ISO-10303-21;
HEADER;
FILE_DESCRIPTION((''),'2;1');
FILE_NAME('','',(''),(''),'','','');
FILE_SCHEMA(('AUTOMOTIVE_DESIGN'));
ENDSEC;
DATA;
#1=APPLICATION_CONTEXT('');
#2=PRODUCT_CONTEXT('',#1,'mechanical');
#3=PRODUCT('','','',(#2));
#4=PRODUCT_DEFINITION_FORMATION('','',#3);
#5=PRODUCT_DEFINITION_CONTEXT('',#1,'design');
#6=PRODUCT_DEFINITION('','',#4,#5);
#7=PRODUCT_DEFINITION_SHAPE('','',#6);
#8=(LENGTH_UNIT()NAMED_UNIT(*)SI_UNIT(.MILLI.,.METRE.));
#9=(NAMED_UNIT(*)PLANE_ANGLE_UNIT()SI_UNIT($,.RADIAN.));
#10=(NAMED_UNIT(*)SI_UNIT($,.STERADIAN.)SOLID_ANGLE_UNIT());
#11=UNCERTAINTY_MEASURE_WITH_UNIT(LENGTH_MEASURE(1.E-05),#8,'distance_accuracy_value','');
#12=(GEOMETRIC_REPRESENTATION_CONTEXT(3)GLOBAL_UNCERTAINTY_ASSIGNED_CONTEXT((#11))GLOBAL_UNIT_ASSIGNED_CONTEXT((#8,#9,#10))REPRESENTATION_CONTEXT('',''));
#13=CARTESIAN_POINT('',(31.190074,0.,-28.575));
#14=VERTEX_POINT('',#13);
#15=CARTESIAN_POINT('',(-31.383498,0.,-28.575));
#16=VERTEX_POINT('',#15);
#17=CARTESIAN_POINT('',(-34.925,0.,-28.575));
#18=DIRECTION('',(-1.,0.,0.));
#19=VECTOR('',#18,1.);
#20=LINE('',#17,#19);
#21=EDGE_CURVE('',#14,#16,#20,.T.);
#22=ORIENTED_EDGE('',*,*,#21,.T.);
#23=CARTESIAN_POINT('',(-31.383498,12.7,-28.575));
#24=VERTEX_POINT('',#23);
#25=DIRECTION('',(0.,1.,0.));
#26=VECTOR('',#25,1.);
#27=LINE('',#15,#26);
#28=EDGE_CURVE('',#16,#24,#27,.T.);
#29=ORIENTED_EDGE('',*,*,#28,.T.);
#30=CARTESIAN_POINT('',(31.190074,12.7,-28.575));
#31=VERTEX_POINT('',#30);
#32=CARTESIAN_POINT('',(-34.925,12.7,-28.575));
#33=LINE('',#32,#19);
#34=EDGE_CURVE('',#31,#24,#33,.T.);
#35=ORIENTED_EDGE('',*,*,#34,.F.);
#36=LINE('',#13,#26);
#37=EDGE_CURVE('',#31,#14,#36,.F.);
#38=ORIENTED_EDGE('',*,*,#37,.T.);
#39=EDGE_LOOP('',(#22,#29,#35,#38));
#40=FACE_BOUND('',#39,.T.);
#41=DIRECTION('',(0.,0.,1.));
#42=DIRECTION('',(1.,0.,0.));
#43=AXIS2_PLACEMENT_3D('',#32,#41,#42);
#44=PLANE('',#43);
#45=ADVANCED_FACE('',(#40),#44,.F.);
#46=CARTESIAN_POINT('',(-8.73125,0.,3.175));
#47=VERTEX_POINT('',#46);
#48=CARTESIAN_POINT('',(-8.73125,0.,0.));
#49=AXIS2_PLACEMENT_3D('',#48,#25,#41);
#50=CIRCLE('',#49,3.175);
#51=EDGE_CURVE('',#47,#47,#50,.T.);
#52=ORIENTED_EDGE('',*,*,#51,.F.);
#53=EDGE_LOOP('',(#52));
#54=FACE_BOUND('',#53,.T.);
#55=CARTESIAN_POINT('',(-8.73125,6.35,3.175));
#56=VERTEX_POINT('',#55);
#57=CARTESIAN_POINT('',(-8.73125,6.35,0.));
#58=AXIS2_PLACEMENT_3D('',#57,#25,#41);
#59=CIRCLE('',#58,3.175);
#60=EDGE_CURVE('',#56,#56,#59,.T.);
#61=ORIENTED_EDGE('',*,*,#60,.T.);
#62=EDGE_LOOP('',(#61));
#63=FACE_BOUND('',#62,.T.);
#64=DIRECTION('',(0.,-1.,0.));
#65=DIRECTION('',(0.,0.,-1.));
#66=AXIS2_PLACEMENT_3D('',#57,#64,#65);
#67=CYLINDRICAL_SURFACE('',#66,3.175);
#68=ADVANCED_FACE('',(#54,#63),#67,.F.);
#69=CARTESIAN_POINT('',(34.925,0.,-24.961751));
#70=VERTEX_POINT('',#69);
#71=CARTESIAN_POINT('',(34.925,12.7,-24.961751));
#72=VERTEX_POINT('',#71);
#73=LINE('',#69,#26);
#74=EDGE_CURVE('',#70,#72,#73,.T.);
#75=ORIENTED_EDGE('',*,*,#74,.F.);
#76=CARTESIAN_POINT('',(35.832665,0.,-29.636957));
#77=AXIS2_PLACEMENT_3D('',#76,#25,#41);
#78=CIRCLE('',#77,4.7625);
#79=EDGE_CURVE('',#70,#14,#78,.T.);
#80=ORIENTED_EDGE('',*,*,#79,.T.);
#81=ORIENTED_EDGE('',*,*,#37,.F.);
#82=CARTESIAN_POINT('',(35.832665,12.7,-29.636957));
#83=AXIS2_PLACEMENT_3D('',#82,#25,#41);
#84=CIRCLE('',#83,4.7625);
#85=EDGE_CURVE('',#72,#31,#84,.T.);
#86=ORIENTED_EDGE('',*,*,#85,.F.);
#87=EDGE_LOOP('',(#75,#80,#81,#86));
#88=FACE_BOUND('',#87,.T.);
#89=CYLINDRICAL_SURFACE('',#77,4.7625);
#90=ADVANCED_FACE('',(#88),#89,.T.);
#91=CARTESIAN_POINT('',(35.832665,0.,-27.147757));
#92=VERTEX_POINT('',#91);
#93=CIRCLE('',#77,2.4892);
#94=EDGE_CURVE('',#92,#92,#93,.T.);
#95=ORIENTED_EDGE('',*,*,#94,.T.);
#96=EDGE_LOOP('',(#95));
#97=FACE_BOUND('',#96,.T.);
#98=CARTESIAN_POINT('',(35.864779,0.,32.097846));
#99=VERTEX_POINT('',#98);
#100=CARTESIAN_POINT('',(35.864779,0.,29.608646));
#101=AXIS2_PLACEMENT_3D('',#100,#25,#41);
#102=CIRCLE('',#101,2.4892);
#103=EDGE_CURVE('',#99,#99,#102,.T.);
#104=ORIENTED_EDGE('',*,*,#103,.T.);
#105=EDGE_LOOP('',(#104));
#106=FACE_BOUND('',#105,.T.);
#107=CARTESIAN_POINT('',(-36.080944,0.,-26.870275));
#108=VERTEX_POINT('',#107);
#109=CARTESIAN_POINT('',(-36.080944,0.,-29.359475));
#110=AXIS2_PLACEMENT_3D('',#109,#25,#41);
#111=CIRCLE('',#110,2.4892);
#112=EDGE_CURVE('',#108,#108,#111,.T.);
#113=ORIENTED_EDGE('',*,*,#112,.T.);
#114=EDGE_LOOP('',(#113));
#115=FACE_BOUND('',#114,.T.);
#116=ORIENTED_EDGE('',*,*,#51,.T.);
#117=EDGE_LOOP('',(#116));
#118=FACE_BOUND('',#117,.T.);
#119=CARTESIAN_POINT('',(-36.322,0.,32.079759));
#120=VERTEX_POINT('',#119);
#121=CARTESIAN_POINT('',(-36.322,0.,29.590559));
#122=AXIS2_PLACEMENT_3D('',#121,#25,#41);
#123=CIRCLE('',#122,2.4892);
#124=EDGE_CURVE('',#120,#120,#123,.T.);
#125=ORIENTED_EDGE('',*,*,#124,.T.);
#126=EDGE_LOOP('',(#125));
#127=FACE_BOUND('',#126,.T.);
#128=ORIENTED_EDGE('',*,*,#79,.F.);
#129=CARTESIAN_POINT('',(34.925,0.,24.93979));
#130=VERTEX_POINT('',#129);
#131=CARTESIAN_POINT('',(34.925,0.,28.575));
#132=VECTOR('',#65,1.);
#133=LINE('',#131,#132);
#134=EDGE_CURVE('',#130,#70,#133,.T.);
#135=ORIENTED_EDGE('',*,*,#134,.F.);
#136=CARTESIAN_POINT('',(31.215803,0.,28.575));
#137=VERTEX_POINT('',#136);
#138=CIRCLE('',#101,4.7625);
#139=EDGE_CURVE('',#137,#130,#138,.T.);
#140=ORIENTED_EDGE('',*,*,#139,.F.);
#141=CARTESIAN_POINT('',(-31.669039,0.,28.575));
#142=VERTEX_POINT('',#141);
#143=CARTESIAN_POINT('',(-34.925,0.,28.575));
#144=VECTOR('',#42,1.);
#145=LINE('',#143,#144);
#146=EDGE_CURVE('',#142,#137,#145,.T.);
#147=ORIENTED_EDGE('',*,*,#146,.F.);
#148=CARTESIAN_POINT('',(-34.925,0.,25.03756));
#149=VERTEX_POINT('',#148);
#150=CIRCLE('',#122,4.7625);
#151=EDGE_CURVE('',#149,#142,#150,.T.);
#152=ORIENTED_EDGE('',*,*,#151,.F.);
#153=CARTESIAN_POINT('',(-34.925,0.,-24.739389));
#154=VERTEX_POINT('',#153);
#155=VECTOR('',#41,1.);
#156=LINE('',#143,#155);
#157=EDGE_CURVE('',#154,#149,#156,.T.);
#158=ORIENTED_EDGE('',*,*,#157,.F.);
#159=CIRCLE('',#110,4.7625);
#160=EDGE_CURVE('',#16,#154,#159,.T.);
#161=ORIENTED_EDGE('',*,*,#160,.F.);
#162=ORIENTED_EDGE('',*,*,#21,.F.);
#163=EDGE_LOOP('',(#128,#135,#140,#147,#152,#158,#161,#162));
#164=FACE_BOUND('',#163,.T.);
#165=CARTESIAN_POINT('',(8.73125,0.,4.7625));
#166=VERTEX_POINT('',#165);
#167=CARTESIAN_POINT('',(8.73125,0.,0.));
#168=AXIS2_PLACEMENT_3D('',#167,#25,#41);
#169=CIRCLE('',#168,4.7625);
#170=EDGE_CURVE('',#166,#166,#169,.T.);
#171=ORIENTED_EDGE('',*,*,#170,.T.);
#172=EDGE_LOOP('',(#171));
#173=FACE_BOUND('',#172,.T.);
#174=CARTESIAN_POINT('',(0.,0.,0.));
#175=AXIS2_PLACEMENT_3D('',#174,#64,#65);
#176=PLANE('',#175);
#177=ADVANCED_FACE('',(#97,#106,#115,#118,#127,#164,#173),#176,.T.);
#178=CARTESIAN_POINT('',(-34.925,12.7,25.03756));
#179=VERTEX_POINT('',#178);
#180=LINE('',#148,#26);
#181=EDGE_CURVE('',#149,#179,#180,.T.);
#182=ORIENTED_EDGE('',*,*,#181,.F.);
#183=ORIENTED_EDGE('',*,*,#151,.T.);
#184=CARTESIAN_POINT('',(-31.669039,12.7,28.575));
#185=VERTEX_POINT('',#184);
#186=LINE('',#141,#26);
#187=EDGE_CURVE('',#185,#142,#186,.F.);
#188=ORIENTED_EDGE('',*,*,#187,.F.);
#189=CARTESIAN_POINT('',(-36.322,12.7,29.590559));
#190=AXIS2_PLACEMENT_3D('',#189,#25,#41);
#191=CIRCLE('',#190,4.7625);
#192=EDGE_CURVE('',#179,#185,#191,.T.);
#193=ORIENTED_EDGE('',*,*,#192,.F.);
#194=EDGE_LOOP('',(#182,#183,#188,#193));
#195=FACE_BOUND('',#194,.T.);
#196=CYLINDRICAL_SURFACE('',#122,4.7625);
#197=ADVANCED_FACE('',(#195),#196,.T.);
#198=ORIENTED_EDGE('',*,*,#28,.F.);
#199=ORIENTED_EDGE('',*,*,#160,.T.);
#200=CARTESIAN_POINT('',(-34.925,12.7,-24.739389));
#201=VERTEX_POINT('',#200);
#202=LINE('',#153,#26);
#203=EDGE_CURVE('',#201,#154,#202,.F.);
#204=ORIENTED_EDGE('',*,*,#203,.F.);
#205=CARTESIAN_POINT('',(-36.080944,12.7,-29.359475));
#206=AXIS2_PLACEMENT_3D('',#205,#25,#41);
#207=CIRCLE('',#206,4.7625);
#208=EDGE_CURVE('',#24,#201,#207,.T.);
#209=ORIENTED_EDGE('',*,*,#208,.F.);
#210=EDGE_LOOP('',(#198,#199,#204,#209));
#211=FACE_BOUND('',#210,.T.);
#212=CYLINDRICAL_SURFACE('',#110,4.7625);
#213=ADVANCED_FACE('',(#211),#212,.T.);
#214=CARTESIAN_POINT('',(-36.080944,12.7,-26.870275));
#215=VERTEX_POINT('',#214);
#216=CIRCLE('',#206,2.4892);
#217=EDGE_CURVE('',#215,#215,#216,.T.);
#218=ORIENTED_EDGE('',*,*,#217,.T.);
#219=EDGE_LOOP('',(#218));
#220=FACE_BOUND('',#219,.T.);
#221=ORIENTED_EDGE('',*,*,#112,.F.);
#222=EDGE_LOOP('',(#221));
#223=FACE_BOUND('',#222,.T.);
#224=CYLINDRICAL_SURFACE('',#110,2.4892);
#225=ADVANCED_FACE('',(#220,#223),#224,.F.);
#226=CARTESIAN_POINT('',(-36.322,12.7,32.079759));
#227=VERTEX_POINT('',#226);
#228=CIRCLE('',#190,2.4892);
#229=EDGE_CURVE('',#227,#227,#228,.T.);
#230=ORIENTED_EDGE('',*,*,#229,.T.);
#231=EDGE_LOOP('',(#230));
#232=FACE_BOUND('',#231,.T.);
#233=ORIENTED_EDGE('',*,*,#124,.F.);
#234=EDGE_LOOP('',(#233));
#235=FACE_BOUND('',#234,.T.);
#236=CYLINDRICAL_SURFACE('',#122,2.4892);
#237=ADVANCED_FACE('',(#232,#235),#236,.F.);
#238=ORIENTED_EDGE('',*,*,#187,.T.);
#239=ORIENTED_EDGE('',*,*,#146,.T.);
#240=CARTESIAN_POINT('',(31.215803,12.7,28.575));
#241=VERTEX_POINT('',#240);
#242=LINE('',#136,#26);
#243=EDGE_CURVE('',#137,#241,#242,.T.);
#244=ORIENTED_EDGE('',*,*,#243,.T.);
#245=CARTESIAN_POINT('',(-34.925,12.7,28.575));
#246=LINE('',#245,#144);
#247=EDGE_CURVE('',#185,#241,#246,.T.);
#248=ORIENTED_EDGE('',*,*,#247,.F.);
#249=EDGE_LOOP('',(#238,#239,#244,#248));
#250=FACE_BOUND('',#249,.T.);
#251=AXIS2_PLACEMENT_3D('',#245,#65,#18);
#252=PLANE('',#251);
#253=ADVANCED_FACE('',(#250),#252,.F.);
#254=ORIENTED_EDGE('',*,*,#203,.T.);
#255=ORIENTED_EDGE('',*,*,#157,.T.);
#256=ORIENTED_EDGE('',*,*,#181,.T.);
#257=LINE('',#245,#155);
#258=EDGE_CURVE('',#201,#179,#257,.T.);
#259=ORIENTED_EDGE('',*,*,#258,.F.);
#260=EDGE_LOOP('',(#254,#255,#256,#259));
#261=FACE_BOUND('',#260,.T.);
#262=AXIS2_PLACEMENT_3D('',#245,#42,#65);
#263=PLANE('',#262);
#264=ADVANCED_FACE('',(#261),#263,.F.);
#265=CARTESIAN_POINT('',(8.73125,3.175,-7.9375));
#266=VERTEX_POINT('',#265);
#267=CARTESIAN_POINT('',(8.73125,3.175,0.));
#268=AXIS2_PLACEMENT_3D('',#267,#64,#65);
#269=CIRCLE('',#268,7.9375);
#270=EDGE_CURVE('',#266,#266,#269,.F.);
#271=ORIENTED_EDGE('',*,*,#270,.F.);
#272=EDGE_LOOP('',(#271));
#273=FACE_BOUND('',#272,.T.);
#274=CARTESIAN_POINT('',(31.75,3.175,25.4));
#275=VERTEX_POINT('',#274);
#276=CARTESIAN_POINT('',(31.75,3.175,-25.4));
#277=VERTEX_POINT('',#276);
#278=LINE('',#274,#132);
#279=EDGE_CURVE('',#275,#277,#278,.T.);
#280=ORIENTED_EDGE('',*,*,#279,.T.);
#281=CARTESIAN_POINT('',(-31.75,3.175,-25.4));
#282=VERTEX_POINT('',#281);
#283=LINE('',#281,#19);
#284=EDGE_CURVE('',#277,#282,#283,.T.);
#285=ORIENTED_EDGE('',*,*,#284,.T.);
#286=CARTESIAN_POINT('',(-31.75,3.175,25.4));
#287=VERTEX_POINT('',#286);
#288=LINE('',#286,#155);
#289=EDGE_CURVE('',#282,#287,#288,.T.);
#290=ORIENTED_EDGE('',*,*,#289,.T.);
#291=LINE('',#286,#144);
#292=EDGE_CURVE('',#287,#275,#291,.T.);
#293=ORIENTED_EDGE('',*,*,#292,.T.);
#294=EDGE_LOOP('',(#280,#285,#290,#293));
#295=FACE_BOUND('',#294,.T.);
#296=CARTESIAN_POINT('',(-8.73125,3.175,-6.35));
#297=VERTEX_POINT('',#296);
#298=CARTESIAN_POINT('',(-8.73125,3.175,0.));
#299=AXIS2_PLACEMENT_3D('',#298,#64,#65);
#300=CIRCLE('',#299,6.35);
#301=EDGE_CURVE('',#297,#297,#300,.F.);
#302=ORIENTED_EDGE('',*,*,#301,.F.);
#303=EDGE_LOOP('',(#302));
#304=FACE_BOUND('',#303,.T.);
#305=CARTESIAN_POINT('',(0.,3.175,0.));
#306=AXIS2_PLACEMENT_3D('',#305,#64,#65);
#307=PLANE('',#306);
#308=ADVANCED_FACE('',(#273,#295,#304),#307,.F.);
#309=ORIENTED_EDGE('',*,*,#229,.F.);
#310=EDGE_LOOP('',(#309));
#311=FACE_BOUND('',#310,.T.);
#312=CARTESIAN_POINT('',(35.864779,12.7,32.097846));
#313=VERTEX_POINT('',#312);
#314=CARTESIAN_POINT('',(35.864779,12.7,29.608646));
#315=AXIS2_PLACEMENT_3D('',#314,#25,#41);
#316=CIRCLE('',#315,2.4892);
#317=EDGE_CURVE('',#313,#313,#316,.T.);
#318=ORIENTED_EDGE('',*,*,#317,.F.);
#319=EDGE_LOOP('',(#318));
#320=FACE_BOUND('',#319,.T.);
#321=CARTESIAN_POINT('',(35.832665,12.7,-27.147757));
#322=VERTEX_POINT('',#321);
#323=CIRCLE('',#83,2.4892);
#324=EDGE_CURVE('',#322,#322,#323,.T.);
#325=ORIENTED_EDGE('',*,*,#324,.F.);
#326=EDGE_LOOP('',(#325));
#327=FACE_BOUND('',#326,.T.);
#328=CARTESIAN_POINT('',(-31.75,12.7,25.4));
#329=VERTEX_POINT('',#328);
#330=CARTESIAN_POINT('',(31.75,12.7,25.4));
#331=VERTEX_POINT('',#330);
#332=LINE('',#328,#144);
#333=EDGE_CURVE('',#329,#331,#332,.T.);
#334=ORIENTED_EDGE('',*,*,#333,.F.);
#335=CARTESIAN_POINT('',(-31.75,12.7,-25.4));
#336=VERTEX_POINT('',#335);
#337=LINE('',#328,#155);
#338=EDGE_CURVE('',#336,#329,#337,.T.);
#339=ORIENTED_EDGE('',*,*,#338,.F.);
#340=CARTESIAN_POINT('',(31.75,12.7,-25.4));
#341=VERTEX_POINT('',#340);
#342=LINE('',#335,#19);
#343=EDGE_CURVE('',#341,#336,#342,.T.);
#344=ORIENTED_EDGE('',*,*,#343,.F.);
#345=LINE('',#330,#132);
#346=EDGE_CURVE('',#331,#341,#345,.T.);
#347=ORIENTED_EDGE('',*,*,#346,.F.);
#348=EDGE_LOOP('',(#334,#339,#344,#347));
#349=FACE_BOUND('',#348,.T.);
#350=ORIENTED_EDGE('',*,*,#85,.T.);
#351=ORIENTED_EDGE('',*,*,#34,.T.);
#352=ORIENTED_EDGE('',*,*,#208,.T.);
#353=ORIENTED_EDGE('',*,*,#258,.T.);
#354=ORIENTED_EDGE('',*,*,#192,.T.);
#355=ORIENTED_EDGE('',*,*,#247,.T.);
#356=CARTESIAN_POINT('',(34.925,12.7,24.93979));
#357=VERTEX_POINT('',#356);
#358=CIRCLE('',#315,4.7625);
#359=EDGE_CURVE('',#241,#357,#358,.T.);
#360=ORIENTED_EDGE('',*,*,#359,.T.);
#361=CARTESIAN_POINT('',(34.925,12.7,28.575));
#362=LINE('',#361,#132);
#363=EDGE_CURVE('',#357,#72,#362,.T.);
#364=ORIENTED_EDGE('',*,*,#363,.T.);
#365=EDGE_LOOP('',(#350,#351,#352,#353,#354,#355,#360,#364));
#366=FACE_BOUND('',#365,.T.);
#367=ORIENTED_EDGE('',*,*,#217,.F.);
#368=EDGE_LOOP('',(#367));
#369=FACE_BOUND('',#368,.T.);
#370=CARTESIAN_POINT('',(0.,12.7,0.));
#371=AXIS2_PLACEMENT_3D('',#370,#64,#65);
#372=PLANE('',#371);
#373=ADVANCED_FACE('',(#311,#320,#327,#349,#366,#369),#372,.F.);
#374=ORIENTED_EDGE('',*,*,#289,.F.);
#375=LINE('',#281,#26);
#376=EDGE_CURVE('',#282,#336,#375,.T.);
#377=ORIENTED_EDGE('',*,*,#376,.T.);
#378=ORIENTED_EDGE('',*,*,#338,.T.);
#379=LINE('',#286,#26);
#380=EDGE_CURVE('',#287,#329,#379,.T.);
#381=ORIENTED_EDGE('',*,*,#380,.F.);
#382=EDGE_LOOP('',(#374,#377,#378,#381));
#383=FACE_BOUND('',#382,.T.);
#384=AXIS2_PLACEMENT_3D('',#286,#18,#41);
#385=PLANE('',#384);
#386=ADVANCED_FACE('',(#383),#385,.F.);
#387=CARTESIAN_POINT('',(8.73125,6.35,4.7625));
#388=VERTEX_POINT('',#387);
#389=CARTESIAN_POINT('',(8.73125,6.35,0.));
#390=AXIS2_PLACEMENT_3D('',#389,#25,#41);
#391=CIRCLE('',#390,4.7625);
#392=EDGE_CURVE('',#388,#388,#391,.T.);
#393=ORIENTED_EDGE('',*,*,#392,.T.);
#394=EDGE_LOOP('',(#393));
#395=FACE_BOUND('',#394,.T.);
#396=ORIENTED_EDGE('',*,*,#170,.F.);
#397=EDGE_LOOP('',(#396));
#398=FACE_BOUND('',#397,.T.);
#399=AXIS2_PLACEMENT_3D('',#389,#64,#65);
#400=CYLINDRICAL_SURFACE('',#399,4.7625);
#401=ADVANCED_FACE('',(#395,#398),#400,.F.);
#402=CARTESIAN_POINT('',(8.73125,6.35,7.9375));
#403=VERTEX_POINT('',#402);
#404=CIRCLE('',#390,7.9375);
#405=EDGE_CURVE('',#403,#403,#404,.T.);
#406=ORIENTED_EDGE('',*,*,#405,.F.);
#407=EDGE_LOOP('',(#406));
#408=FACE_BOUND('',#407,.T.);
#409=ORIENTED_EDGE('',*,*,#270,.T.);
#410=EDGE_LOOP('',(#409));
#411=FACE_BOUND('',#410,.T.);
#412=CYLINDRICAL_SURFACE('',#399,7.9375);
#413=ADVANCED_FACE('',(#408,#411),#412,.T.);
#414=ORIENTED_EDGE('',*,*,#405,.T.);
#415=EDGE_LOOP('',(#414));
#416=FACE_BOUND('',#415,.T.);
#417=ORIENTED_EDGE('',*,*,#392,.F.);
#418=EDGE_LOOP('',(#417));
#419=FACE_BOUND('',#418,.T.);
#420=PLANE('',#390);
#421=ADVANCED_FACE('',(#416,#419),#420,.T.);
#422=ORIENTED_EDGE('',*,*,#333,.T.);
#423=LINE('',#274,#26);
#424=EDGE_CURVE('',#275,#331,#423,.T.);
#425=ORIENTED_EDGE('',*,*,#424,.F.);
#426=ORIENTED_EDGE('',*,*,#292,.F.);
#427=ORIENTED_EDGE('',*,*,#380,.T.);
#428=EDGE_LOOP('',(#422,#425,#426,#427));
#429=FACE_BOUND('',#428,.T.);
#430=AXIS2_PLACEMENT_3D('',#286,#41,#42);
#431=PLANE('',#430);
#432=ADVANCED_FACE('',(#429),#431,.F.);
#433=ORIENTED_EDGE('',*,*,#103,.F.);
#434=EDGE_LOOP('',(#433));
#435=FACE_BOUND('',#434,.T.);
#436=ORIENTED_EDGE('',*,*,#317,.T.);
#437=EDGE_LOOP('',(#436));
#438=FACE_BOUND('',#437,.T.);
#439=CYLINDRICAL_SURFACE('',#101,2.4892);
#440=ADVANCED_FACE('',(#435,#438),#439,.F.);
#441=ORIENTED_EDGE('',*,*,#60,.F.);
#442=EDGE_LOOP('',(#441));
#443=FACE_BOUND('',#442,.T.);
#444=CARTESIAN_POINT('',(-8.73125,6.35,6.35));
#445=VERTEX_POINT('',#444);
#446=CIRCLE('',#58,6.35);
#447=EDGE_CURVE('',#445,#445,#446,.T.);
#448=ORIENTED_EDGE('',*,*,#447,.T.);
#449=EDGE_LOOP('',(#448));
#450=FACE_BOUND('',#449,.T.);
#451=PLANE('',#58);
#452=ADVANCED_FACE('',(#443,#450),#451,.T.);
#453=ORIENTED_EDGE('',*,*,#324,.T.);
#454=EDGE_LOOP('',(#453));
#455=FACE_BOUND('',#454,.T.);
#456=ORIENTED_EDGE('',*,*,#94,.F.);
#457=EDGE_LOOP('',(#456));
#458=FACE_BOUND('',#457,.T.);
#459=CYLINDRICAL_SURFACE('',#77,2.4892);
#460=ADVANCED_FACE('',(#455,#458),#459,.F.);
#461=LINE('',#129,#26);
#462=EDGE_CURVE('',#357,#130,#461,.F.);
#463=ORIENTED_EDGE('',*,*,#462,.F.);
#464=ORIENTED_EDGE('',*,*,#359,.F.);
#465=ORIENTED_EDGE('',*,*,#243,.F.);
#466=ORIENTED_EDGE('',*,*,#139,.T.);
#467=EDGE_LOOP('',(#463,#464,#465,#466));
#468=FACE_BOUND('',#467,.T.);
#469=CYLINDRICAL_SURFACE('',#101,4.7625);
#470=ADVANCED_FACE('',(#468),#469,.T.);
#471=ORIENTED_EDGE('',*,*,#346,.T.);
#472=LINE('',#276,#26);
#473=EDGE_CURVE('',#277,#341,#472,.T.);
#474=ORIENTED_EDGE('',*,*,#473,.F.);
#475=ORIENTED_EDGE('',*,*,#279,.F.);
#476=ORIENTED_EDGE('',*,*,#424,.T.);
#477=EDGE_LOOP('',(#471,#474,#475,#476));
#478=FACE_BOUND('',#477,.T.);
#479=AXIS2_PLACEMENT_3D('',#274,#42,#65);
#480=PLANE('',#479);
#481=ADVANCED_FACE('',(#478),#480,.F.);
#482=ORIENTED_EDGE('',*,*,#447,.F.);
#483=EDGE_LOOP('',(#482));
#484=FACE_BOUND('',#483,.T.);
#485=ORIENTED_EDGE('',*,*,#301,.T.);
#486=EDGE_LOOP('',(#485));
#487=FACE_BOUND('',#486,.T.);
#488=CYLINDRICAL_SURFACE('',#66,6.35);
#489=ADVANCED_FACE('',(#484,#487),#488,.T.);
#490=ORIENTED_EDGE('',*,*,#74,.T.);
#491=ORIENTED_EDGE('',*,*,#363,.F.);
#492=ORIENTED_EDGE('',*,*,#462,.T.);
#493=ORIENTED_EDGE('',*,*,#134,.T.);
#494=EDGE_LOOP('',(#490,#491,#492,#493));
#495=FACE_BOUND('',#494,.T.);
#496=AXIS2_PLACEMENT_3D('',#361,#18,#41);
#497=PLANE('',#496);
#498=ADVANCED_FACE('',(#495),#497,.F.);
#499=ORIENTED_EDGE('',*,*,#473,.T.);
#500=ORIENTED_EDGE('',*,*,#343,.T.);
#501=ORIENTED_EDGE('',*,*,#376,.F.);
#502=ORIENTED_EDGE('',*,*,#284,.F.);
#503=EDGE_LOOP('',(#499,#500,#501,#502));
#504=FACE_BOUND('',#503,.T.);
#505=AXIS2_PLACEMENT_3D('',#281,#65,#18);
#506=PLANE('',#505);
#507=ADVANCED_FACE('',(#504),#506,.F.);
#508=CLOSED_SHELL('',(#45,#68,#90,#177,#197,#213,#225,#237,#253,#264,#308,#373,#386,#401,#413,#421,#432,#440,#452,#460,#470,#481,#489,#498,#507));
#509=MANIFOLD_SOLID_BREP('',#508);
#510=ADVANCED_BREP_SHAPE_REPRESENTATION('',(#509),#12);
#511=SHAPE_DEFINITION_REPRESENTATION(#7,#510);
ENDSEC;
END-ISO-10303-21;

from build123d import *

# Parameters (mm, degrees)
SKETCH1_W           = 69.85
SKETCH1_H           = 57.15
BOSS_EXTRUDE1_DEPTH = 12.7
SKETCH2_W           = 63.5
SKETCH2_H           = 50.8
CUT_EXTRUDE1_DEPTH  = 9.525
SKETCH3_R           = 6.35
SKETCH3_R_2         = 3.175
SKETCH3_R_3         = 7.9375
SKETCH3_R_4         = 4.7625
BOSS_EXTRUDE2_DEPTH = 3.175
SKETCH5_R           = 3.175
CUT_EXTRUDE2_DEPTH  = 46.5698228
SKETCH6_R           = 4.7625
CUT_EXTRUDE3_DEPTH  = 46.5698228
SKETCH8_R           = 4.7625
BOSS_EXTRUDE3_DEPTH = 12.7
SKETCH9_R           = 2.4892
CUT_EXTRUDE4_DEPTH  = 56.068582541


with BuildPart() as part:
    # Sketch1 → Boss-Extrude1 (new body)
    with BuildSketch(Plane(origin=(0, 0, 0), x_dir=(1, 0, 0), z_dir=(0, 1, 0))):
        Rectangle(SKETCH1_W, SKETCH1_H)
    extrude(amount=BOSS_EXTRUDE1_DEPTH)

    # Sketch2 → Cut-Extrude1 (cut)
    with BuildSketch(Plane(origin=(0, 12.7, 0), x_dir=(1, 0, 0), z_dir=(0, 1, 0))):
        Rectangle(SKETCH2_W, SKETCH2_H)
    extrude(amount=-CUT_EXTRUDE1_DEPTH, mode=Mode.SUBTRACT)

    # Sketch3 → Boss-Extrude2 (add)
    # profile 1 of 2: a face of its own
    with BuildSketch(Plane(origin=(0, 3.175, 0), x_dir=(1, 0, 0), z_dir=(0, 1, 0))):
        with Locations(Location((-8.73125, 0, 0), (0, 0, 90))):
            Circle(SKETCH3_R)
        with Locations(Location((-8.73125, 0, 0), (0, 0, 270))):
            Circle(SKETCH3_R_2, mode=Mode.SUBTRACT)
    # profile 2 of 2: a face of its own
    with BuildSketch(Plane(origin=(0, 3.175, 0), x_dir=(1, 0, 0), z_dir=(0, 1, 0))):
        with Locations(Location((8.73125, 0, 0), (0, 0, 90))):
            Circle(SKETCH3_R_3)
        with Locations(Location((8.73125, 0, 0), (0, 0, 270))):
            Circle(SKETCH3_R_4, mode=Mode.SUBTRACT)
    extrude(amount=BOSS_EXTRUDE2_DEPTH)

    # Sketch5 → Cut-Extrude2 (cut, through all)
    with BuildSketch(Plane(origin=(0, 6.35, 0), x_dir=(1, 0, 0), z_dir=(0, 1, 0))):
        with Locations(Location((-8.73125, 0, 0), (0, 0, 270))):
            Circle(SKETCH5_R)
    extrude(amount=-CUT_EXTRUDE2_DEPTH, mode=Mode.SUBTRACT)

    # Sketch6 → Cut-Extrude3 (cut, through all)
    with BuildSketch(Plane(origin=(0, 6.35, 0), x_dir=(1, 0, 0), z_dir=(0, 1, 0))):
        with Locations(Location((8.73125, 0, 0), (0, 0, 270))):
            Circle(SKETCH6_R)
    extrude(amount=-CUT_EXTRUDE3_DEPTH, mode=Mode.SUBTRACT)

    # Sketch8 → Boss-Extrude3 (add)
    with BuildSketch(Plane(origin=(0, 12.7, 0), x_dir=(1, 0, 0), z_dir=(0, 1, 0))):
        with Locations((-36.080944449, 29.359475258)):
            Circle(SKETCH8_R)
        with Locations((35.832665303, 29.636957013)):
            Circle(SKETCH8_R)
        with Locations((35.864779118, -29.608646076)):
            Circle(SKETCH8_R)
        with Locations((-36.322, -29.590559194)):
            Circle(SKETCH8_R)
    extrude(amount=-BOSS_EXTRUDE3_DEPTH)

    # Sketch9 → Cut-Extrude4 (cut, through all)
    with BuildSketch(Plane(origin=(0, 12.7, 0), x_dir=(1, 0, 0), z_dir=(0, 1, 0))):
        with Locations(Location((-36.080944449, 29.359475258, 0), (0, 0, 270))):
            Circle(SKETCH9_R)
        with Locations(Location((-36.322, -29.590559194, 0), (0, 0, 270))):
            Circle(SKETCH9_R)
        with Locations(Location((35.864779118, -29.608646076, 0), (0, 0, 270))):
            Circle(SKETCH9_R)
        with Locations(Location((35.832665303, 29.636957013, 0), (0, 0, 270))):
            Circle(SKETCH9_R)
    extrude(amount=-CUT_EXTRUDE4_DEPTH, mode=Mode.SUBTRACT)


solid = part.part
